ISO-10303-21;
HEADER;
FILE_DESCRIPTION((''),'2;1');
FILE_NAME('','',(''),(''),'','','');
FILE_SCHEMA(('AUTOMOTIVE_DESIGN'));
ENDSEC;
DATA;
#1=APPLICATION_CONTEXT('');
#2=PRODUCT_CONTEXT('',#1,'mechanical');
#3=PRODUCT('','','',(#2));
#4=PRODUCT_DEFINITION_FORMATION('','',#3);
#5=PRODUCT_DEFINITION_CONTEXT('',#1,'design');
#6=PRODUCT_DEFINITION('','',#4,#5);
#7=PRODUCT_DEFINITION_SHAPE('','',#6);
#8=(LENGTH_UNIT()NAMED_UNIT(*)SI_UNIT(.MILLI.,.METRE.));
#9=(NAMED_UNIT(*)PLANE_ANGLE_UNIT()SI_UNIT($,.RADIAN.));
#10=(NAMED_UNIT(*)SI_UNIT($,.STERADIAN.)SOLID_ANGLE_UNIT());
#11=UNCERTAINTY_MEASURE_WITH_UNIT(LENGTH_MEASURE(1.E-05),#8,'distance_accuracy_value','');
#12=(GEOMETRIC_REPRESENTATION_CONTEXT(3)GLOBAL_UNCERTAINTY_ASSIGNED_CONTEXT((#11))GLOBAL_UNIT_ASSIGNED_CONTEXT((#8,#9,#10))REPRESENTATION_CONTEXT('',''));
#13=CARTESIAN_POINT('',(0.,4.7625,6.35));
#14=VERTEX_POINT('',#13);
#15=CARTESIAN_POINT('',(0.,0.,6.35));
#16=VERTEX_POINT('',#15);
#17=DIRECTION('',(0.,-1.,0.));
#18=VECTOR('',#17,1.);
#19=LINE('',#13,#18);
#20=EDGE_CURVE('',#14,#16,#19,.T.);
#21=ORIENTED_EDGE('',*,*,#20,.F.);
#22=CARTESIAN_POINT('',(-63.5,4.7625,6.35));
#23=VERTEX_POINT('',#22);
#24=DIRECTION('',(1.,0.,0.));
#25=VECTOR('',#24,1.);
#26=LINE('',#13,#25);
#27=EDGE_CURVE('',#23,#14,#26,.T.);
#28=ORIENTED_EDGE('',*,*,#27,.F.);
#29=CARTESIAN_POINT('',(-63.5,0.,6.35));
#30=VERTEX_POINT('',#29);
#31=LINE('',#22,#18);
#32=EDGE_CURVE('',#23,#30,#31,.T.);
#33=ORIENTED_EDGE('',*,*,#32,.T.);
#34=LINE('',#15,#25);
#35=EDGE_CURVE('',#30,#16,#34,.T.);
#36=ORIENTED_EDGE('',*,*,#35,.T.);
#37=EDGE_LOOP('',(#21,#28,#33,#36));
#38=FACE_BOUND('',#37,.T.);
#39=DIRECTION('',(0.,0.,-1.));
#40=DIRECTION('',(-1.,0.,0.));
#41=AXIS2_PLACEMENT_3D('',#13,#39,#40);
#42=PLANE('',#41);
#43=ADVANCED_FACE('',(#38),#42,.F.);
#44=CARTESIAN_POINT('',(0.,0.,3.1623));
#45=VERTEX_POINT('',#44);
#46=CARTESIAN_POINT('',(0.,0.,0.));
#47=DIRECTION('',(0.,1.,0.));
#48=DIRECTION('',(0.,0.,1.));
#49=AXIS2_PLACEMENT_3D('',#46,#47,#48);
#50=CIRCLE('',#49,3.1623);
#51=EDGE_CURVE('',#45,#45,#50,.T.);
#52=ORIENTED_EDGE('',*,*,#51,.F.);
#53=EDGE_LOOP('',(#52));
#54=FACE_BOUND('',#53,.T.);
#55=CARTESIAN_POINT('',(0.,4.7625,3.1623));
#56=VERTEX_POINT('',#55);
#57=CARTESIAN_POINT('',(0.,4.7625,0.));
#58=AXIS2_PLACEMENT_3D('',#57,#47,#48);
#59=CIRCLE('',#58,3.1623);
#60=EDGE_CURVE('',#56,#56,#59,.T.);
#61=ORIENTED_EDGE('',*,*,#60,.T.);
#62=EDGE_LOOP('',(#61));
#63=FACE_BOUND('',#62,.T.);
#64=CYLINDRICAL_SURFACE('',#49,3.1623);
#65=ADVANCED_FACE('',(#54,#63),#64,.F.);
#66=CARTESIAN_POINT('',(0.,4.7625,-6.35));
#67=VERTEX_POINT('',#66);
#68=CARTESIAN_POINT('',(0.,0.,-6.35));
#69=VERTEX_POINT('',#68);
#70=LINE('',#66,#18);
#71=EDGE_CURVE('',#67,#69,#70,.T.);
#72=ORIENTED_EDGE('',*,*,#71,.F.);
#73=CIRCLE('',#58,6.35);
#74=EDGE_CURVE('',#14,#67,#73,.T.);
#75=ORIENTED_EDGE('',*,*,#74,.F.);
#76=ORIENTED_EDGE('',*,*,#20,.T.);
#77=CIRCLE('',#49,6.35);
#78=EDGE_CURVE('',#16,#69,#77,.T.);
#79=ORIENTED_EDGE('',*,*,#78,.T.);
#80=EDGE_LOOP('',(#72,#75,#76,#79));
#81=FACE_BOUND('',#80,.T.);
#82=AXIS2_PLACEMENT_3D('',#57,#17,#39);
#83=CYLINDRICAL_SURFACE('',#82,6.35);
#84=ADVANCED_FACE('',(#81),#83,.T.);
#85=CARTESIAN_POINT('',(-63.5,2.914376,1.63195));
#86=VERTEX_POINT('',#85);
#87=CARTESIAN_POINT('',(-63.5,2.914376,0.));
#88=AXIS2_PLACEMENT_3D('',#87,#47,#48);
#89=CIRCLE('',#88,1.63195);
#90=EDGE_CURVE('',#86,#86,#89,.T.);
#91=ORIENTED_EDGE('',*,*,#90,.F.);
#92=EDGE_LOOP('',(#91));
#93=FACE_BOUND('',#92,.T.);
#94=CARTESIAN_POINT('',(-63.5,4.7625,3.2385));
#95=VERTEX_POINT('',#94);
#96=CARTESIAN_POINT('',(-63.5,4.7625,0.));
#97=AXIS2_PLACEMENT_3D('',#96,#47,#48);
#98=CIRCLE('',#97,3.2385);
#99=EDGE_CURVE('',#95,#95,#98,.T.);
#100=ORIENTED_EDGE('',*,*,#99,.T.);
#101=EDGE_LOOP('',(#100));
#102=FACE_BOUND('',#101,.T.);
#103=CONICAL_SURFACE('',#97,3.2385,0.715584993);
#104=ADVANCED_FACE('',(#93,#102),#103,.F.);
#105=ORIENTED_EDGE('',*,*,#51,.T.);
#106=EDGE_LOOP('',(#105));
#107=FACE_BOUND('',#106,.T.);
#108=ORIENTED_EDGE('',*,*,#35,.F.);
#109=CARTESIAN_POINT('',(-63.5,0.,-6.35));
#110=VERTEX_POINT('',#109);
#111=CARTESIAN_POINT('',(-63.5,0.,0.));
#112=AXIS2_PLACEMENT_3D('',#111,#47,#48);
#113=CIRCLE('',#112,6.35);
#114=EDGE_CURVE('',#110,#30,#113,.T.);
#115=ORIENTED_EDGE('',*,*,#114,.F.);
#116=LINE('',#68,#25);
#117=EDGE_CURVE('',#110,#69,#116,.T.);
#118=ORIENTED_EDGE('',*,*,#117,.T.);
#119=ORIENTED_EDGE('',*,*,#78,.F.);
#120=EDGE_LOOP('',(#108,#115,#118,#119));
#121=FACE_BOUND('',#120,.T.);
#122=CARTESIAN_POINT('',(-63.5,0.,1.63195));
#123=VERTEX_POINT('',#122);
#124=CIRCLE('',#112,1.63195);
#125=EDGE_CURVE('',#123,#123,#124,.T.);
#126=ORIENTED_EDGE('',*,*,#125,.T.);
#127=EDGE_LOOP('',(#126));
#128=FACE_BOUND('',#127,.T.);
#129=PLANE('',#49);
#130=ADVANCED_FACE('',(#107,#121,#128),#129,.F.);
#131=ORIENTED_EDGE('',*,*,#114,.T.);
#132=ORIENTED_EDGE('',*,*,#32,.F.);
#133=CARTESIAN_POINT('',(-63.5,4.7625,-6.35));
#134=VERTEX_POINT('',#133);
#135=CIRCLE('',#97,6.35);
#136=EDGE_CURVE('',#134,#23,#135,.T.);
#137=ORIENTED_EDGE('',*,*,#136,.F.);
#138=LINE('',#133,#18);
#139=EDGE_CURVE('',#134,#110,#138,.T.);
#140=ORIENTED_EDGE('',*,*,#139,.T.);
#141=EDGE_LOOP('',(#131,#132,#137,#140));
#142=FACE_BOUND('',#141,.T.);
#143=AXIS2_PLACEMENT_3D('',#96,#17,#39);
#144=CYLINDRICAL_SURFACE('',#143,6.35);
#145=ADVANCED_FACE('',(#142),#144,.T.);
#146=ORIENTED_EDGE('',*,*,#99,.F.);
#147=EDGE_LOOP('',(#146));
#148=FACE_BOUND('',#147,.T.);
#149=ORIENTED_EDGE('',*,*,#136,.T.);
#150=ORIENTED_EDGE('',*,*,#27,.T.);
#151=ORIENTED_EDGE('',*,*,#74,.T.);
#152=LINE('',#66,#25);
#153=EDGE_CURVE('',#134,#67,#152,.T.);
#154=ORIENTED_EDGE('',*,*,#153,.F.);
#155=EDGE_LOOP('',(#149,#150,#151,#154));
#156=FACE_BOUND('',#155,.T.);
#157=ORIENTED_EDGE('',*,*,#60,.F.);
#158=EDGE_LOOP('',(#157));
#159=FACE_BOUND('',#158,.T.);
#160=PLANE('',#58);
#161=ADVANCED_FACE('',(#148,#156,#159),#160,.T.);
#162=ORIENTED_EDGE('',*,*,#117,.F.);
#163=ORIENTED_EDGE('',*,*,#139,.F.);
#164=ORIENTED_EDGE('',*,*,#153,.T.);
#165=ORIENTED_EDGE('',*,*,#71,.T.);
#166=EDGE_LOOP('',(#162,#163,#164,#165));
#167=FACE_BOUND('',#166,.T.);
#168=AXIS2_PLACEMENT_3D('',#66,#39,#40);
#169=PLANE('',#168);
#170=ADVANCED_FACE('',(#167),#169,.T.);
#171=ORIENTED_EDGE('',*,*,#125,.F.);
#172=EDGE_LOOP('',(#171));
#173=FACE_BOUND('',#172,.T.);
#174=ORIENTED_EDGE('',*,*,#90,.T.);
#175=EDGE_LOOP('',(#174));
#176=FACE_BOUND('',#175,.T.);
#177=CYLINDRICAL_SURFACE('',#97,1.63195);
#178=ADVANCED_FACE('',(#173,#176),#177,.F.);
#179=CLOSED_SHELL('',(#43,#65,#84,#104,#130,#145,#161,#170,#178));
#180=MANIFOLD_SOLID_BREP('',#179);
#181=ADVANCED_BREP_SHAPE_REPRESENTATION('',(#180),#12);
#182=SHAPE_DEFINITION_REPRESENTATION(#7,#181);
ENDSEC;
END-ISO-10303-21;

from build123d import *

# Parameters (mm, degrees)
BOSS_EXTRUDE2_DEPTH                               = 4.7625
SKETCH2_R                                         = 3.1623
CUT_EXTRUDE1_DEPTH                                = 5.7625
CSK_FOR_4_FLAT_HEAD_SOCKET_CAP_SCREW1_D           = 3.2639
CSK_FOR_4_FLAT_HEAD_SOCKET_CAP_SCREW1_CSINK_D     = 6.477
CSK_FOR_4_FLAT_HEAD_SOCKET_CAP_SCREW1_CSINK_ANGLE = 82


with BuildPart() as part:
    # Sketch1 → Boss-Extrude2 (new body)
    with BuildSketch(Plane(origin=(0, 0, 0), x_dir=(1, 0, 0), z_dir=(0, 1, 0))):
        with BuildLine():
            Line((-63.5, 6.35), (0, 6.35))
            ThreePointArc((0, 6.35), (6.35, 0), (0, -6.35))
            Line((0, -6.35), (-63.5, -6.35))
            ThreePointArc((-63.5, -6.35), (-69.85, 0), (-63.5, 6.35))
        make_face()
    extrude(amount=BOSS_EXTRUDE2_DEPTH)

    # Sketch2 → Cut-Extrude1 (cut, through all)
    with BuildSketch(Plane(origin=(0, 4.7625, 0), x_dir=(1, 0, 0), z_dir=(0, 1, 0))):
        Circle(SKETCH2_R)
    extrude(amount=-CUT_EXTRUDE1_DEPTH, mode=Mode.SUBTRACT)

    # CSK for #4 Flat Head Socket Cap Screw1 (through all)
    with Locations(Plane(origin=(0, 4.7625, 0), x_dir=(1, 0, 0), z_dir=(0, 1, 0))):
        with Locations((-63.5, 0)):
            CounterSinkHole(CSK_FOR_4_FLAT_HEAD_SOCKET_CAP_SCREW1_D / 2, CSK_FOR_4_FLAT_HEAD_SOCKET_CAP_SCREW1_CSINK_D / 2, counter_sink_angle=CSK_FOR_4_FLAT_HEAD_SOCKET_CAP_SCREW1_CSINK_ANGLE)


solid = part.part
